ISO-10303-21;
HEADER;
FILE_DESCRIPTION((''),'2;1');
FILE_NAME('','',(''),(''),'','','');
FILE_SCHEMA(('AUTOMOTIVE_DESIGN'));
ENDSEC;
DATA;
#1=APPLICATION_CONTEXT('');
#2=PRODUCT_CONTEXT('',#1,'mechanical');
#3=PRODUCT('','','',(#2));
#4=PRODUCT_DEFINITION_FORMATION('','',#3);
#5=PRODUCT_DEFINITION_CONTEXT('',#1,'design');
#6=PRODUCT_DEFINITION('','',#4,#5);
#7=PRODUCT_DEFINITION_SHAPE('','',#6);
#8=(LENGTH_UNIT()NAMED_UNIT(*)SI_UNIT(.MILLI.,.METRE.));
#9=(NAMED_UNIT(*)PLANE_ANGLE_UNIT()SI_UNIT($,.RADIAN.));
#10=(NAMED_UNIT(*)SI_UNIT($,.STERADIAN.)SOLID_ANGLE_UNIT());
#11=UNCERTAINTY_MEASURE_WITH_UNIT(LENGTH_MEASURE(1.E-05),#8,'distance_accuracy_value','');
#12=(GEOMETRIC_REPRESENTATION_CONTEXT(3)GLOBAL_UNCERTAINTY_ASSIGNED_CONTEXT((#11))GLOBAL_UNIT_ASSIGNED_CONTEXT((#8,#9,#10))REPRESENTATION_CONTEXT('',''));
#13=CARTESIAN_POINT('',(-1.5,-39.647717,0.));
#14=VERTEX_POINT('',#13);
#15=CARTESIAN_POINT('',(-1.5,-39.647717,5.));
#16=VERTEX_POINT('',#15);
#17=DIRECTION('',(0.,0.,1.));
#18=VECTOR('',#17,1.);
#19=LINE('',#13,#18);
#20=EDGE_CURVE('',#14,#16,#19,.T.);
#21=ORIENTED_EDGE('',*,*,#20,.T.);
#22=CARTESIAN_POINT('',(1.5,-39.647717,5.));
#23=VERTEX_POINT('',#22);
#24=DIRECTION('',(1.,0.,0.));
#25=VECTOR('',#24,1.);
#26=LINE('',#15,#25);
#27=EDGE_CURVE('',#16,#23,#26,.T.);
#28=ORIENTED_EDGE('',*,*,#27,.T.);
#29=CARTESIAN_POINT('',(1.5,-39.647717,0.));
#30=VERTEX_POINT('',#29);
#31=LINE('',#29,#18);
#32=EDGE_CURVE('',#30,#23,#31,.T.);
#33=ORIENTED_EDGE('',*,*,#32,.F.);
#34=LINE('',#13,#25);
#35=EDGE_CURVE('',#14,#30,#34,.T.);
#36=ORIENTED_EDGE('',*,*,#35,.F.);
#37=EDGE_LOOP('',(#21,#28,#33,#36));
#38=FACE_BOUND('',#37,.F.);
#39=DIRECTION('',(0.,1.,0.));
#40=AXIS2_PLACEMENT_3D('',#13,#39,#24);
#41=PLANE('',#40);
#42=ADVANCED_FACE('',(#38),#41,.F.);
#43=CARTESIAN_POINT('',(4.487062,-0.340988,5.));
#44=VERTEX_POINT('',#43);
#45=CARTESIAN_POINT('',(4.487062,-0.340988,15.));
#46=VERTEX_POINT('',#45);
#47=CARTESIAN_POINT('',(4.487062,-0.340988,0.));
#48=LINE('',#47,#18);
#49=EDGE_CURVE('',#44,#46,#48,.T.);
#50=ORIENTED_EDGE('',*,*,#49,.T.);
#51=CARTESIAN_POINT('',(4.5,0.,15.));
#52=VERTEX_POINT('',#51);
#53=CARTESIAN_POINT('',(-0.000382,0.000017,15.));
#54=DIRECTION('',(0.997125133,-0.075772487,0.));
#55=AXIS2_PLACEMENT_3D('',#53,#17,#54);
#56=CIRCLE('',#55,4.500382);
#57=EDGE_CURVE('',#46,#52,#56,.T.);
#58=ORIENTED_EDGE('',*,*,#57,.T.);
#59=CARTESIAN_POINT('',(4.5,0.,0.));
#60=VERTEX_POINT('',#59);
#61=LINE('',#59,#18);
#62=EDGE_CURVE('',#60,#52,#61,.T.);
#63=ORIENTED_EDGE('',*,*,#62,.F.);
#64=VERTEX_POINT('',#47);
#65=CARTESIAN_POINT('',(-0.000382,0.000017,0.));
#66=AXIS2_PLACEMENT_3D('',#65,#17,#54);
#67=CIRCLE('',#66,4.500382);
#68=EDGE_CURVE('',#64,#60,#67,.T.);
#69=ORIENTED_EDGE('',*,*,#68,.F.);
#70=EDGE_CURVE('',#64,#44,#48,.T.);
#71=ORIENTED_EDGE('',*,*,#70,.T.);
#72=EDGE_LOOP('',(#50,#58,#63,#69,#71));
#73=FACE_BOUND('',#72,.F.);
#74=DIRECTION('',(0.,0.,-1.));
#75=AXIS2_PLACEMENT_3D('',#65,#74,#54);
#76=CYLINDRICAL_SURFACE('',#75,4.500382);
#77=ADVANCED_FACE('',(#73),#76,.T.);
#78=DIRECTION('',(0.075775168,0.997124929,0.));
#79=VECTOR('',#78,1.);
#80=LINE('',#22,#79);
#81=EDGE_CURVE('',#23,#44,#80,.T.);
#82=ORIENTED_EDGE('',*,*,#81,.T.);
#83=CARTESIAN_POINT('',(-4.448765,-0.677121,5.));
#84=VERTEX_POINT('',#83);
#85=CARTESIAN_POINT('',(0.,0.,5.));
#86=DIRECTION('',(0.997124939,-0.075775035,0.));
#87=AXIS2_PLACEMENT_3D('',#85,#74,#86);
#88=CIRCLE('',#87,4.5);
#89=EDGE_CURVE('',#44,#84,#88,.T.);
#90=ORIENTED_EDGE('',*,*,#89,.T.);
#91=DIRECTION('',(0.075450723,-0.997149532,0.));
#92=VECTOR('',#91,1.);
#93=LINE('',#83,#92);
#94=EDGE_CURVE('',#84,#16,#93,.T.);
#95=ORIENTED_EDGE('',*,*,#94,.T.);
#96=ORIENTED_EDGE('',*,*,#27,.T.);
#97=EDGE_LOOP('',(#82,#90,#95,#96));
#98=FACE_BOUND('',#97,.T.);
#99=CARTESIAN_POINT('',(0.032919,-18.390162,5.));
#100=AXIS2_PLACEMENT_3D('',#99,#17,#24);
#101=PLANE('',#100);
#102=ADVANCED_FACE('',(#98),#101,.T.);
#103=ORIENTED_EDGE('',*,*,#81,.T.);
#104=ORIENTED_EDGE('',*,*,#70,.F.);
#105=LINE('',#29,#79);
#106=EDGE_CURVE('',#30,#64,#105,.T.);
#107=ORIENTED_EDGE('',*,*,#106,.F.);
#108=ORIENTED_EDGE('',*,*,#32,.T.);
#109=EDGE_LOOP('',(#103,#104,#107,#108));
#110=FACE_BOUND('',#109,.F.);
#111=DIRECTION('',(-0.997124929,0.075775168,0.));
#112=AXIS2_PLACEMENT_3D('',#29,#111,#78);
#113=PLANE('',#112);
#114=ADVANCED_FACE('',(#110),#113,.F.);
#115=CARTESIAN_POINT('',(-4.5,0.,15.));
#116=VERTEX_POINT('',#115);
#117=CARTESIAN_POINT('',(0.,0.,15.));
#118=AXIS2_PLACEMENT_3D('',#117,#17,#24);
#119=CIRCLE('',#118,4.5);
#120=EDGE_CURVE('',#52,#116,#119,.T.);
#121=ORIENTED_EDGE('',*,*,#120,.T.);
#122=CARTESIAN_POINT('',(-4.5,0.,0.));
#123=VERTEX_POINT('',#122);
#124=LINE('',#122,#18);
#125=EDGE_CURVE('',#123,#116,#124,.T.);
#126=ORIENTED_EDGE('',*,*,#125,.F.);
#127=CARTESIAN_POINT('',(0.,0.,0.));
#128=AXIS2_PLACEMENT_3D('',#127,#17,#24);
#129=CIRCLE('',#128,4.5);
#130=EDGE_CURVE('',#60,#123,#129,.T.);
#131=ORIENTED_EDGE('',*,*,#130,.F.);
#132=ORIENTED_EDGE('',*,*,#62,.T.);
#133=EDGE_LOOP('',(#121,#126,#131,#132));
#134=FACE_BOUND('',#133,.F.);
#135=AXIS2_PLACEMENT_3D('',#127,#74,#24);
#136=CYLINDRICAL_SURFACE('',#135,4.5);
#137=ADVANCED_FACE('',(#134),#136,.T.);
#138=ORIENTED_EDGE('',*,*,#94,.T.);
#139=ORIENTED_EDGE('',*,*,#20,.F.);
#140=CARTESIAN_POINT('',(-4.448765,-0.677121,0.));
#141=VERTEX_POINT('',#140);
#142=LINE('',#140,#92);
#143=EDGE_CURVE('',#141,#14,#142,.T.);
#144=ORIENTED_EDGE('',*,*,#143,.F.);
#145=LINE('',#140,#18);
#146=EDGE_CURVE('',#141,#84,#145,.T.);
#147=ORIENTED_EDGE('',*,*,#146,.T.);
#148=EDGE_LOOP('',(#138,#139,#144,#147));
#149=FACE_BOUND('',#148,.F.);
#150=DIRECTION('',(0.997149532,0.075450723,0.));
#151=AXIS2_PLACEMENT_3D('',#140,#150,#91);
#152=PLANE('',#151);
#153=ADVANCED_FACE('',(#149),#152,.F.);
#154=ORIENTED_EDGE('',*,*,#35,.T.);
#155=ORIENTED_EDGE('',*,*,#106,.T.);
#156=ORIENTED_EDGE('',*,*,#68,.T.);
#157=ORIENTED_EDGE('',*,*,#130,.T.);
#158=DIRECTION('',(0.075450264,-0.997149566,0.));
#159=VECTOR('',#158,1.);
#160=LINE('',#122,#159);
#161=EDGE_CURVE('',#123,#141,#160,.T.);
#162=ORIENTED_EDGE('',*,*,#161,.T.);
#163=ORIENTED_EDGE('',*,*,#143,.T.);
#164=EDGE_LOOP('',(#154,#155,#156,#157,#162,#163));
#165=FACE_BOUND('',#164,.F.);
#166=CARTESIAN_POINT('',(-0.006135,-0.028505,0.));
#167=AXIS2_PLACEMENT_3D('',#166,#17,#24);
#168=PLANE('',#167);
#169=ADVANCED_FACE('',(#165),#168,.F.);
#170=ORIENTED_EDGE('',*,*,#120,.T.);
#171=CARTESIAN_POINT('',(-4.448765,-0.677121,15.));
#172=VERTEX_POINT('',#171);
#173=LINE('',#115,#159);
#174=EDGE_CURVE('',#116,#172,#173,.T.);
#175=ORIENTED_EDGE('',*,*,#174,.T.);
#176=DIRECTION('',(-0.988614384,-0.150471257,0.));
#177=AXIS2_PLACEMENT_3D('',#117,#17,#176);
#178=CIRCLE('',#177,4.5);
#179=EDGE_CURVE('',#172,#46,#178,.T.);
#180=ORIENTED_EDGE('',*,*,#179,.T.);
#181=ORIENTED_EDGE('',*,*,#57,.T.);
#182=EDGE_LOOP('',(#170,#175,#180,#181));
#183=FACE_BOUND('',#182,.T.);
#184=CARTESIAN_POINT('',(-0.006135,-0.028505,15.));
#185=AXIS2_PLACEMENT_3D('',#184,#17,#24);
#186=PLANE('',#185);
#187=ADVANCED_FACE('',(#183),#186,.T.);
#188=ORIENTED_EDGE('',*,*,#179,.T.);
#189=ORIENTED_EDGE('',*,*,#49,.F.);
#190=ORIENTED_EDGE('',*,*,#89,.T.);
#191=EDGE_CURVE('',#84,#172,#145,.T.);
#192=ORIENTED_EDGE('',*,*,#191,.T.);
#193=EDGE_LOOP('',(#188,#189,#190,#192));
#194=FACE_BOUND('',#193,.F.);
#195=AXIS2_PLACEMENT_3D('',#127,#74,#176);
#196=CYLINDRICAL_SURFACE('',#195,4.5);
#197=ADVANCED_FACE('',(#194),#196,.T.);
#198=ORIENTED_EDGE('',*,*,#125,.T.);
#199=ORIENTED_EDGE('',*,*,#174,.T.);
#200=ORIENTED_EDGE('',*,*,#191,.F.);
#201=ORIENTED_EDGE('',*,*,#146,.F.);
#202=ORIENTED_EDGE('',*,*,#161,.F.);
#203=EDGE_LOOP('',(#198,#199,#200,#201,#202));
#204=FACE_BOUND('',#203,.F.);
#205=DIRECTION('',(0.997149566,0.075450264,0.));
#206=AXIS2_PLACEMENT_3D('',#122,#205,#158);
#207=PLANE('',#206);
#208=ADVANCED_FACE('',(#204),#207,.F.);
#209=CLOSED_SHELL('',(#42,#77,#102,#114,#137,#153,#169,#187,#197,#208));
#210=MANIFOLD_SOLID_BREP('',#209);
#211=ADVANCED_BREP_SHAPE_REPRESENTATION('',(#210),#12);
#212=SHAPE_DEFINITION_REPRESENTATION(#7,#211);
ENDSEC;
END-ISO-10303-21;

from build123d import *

# Parameters (mm, degrees)
F1_DEPTH = 5
F2_DEPTH = 15


with BuildPart() as f1:
    # F0 (on Top) → F1 (new body)
    with BuildSketch(Plane.XY):
        with BuildLine():
            Line((1.5, -39.647717), (4.487062, -0.340988))
            ThreePointArc((4.487062, -0.340988), (0.169154, -4.49682), (-4.448765, -0.677121))
            Line((-4.448765, -0.677121), (-1.5, -39.647717))
            Line((-1.5, -39.647717), (1.5, -39.647717))
        make_face()
    extrude(amount=F1_DEPTH)

    # F0 (on Top) → F2 (join)
    with BuildSketch(Plane.XY):
        with BuildLine():
            ThreePointArc((4.487062, -0.340988), (4.496764, -0.170617), (4.5, 0))
            ThreePointArc((4.5, 0), (0, 4.5), (-4.5, 0))
            Line((-4.5, 0), (-4.448765, -0.677121))
            ThreePointArc((-4.448765, -0.677121), (0.169154, -4.49682), (4.487062, -0.340988))
        make_face()
    extrude(amount=F2_DEPTH)


solid = f1.part
